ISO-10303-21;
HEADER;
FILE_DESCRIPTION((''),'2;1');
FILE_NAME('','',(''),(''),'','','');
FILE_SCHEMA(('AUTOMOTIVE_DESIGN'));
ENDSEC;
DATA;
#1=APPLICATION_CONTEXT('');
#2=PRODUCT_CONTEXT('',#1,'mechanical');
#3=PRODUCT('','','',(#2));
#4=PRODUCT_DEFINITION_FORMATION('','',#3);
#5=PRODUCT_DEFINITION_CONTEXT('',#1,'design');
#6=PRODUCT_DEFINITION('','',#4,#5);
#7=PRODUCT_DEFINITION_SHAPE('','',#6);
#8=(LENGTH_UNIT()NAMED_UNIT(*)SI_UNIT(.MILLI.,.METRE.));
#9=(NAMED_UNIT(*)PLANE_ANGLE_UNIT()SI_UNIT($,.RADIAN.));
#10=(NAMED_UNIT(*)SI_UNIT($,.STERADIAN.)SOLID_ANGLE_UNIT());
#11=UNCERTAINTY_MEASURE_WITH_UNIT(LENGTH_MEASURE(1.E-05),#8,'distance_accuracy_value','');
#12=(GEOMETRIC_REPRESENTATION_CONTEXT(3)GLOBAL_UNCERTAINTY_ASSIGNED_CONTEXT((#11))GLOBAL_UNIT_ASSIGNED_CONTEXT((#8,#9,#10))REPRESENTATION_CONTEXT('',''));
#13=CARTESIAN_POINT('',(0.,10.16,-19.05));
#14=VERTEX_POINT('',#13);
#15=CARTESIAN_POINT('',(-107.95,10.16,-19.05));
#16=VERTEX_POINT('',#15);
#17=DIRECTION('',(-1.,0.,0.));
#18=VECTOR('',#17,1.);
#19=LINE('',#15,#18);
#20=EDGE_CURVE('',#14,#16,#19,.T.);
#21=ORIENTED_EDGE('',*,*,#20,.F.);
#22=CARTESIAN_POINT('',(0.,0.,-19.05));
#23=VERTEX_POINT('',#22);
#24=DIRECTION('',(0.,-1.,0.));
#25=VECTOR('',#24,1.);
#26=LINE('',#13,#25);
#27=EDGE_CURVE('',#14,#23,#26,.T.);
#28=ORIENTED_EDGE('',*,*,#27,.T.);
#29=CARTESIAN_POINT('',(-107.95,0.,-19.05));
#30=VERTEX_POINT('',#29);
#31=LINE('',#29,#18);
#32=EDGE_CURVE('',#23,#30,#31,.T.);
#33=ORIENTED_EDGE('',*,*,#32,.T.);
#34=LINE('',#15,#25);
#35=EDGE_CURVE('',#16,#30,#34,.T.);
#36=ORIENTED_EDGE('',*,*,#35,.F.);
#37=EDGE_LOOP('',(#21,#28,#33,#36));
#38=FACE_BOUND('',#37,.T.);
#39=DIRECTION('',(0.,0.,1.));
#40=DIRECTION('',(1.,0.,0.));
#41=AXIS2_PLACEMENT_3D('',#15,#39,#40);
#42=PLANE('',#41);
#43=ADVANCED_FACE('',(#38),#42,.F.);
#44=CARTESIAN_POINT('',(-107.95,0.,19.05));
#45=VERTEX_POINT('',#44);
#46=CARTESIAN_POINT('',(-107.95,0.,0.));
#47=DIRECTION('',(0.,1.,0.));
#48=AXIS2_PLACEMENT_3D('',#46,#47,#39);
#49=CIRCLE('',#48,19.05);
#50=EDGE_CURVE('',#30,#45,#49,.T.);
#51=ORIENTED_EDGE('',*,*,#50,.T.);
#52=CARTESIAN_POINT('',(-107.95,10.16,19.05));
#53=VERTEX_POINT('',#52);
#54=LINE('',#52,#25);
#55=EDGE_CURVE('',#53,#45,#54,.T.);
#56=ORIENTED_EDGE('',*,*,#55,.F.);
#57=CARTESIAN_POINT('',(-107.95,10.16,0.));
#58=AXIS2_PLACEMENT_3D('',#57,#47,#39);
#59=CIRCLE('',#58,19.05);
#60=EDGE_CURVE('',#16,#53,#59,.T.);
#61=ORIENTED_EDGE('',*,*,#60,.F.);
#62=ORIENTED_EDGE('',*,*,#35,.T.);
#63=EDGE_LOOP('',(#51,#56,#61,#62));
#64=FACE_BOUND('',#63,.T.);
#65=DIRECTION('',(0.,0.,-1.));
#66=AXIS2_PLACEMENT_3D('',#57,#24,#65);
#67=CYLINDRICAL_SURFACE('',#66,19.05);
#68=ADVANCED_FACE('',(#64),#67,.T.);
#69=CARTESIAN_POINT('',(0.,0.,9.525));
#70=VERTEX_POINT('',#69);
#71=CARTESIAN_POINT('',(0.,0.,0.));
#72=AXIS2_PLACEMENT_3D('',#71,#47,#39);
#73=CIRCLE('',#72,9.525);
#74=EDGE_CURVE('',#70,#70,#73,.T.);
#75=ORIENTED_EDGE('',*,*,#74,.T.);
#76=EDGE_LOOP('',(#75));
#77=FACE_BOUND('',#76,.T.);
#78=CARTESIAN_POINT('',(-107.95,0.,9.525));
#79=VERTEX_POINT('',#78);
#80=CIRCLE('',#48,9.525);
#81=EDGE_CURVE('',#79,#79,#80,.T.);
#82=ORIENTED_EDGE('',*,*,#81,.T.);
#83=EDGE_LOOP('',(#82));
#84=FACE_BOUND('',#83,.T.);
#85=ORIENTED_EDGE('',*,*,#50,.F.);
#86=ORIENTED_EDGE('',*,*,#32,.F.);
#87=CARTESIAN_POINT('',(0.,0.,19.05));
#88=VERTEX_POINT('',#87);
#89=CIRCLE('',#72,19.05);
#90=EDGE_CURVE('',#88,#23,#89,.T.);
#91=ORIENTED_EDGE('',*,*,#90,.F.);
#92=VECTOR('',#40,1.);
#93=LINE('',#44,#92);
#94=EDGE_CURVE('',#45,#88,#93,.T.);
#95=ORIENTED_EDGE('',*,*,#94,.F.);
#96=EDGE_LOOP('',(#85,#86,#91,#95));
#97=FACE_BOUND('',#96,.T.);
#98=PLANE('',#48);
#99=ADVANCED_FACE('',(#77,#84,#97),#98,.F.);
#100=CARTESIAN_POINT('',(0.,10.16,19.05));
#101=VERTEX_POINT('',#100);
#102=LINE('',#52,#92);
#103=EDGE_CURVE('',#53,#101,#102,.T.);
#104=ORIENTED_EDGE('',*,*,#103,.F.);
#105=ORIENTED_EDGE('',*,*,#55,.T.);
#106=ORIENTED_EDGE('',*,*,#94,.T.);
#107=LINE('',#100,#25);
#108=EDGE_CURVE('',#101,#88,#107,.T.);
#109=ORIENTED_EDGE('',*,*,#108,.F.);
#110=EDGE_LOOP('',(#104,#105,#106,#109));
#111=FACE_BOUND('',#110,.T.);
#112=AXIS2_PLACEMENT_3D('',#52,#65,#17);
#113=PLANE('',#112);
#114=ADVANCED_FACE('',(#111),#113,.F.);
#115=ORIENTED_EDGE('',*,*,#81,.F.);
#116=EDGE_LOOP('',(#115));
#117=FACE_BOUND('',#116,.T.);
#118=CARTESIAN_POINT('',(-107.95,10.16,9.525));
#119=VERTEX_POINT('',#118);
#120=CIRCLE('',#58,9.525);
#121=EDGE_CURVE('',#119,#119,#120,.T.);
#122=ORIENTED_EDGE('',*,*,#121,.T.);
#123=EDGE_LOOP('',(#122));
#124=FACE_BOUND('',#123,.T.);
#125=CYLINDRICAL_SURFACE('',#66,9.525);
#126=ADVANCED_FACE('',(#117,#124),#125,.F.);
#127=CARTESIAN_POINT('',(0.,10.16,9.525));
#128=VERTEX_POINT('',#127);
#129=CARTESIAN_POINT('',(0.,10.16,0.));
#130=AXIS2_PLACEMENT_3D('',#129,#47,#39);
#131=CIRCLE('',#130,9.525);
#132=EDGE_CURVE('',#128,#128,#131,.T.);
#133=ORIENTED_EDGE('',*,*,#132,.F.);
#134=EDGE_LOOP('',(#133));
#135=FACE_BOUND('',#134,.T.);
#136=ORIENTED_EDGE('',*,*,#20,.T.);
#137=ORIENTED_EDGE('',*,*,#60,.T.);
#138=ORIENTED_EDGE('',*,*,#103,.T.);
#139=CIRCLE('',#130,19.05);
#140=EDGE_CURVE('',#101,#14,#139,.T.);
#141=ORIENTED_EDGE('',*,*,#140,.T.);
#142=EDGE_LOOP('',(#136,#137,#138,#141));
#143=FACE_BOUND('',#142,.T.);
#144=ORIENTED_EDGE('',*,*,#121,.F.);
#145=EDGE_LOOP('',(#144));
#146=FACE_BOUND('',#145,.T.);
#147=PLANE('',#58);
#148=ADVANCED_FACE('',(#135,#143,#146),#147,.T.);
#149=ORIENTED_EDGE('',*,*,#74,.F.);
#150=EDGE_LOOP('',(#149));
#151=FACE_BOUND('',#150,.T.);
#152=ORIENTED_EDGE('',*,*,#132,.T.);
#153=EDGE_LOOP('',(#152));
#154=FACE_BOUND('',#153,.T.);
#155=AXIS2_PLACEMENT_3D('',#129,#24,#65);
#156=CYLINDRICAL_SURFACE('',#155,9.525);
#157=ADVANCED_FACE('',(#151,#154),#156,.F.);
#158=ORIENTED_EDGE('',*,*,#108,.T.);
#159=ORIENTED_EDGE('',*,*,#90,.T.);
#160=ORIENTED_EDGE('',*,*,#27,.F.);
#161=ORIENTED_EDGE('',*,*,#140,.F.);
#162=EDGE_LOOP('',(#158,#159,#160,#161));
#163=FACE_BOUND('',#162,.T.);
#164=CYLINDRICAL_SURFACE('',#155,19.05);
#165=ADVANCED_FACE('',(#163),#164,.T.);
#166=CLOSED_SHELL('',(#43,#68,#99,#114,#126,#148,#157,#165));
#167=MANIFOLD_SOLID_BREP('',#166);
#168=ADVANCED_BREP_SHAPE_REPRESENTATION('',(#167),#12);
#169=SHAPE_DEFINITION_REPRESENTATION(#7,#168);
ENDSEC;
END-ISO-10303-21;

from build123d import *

# Parameters (mm, degrees)
SKETCH1_R           = 9.525
BOSS_EXTRUDE1_DEPTH = 10.16


with BuildPart() as part:
    # Sketch1 → Boss-Extrude1 (new body)
    with BuildSketch(Plane(origin=(0, 0, 0), x_dir=(1, 0, 0), z_dir=(0, 1, 0))):
        with BuildLine():
            Line((-107.95, 19.05), (0, 19.05))
            ThreePointArc((0, 19.05), (19.05, 0), (0, -19.05))
            Line((0, -19.05), (-107.95, -19.05))
            ThreePointArc((-107.95, -19.05), (-127, 0), (-107.95, 19.05))
        make_face()
        with Locations(Location((-107.95, 0, 0), (0, 0, 270))):
            Circle(SKETCH1_R, mode=Mode.SUBTRACT)
        with Locations(Location((0, 0, 0), (0, 0, 270))):
            Circle(SKETCH1_R, mode=Mode.SUBTRACT)
    extrude(amount=BOSS_EXTRUDE1_DEPTH)


solid = part.part
